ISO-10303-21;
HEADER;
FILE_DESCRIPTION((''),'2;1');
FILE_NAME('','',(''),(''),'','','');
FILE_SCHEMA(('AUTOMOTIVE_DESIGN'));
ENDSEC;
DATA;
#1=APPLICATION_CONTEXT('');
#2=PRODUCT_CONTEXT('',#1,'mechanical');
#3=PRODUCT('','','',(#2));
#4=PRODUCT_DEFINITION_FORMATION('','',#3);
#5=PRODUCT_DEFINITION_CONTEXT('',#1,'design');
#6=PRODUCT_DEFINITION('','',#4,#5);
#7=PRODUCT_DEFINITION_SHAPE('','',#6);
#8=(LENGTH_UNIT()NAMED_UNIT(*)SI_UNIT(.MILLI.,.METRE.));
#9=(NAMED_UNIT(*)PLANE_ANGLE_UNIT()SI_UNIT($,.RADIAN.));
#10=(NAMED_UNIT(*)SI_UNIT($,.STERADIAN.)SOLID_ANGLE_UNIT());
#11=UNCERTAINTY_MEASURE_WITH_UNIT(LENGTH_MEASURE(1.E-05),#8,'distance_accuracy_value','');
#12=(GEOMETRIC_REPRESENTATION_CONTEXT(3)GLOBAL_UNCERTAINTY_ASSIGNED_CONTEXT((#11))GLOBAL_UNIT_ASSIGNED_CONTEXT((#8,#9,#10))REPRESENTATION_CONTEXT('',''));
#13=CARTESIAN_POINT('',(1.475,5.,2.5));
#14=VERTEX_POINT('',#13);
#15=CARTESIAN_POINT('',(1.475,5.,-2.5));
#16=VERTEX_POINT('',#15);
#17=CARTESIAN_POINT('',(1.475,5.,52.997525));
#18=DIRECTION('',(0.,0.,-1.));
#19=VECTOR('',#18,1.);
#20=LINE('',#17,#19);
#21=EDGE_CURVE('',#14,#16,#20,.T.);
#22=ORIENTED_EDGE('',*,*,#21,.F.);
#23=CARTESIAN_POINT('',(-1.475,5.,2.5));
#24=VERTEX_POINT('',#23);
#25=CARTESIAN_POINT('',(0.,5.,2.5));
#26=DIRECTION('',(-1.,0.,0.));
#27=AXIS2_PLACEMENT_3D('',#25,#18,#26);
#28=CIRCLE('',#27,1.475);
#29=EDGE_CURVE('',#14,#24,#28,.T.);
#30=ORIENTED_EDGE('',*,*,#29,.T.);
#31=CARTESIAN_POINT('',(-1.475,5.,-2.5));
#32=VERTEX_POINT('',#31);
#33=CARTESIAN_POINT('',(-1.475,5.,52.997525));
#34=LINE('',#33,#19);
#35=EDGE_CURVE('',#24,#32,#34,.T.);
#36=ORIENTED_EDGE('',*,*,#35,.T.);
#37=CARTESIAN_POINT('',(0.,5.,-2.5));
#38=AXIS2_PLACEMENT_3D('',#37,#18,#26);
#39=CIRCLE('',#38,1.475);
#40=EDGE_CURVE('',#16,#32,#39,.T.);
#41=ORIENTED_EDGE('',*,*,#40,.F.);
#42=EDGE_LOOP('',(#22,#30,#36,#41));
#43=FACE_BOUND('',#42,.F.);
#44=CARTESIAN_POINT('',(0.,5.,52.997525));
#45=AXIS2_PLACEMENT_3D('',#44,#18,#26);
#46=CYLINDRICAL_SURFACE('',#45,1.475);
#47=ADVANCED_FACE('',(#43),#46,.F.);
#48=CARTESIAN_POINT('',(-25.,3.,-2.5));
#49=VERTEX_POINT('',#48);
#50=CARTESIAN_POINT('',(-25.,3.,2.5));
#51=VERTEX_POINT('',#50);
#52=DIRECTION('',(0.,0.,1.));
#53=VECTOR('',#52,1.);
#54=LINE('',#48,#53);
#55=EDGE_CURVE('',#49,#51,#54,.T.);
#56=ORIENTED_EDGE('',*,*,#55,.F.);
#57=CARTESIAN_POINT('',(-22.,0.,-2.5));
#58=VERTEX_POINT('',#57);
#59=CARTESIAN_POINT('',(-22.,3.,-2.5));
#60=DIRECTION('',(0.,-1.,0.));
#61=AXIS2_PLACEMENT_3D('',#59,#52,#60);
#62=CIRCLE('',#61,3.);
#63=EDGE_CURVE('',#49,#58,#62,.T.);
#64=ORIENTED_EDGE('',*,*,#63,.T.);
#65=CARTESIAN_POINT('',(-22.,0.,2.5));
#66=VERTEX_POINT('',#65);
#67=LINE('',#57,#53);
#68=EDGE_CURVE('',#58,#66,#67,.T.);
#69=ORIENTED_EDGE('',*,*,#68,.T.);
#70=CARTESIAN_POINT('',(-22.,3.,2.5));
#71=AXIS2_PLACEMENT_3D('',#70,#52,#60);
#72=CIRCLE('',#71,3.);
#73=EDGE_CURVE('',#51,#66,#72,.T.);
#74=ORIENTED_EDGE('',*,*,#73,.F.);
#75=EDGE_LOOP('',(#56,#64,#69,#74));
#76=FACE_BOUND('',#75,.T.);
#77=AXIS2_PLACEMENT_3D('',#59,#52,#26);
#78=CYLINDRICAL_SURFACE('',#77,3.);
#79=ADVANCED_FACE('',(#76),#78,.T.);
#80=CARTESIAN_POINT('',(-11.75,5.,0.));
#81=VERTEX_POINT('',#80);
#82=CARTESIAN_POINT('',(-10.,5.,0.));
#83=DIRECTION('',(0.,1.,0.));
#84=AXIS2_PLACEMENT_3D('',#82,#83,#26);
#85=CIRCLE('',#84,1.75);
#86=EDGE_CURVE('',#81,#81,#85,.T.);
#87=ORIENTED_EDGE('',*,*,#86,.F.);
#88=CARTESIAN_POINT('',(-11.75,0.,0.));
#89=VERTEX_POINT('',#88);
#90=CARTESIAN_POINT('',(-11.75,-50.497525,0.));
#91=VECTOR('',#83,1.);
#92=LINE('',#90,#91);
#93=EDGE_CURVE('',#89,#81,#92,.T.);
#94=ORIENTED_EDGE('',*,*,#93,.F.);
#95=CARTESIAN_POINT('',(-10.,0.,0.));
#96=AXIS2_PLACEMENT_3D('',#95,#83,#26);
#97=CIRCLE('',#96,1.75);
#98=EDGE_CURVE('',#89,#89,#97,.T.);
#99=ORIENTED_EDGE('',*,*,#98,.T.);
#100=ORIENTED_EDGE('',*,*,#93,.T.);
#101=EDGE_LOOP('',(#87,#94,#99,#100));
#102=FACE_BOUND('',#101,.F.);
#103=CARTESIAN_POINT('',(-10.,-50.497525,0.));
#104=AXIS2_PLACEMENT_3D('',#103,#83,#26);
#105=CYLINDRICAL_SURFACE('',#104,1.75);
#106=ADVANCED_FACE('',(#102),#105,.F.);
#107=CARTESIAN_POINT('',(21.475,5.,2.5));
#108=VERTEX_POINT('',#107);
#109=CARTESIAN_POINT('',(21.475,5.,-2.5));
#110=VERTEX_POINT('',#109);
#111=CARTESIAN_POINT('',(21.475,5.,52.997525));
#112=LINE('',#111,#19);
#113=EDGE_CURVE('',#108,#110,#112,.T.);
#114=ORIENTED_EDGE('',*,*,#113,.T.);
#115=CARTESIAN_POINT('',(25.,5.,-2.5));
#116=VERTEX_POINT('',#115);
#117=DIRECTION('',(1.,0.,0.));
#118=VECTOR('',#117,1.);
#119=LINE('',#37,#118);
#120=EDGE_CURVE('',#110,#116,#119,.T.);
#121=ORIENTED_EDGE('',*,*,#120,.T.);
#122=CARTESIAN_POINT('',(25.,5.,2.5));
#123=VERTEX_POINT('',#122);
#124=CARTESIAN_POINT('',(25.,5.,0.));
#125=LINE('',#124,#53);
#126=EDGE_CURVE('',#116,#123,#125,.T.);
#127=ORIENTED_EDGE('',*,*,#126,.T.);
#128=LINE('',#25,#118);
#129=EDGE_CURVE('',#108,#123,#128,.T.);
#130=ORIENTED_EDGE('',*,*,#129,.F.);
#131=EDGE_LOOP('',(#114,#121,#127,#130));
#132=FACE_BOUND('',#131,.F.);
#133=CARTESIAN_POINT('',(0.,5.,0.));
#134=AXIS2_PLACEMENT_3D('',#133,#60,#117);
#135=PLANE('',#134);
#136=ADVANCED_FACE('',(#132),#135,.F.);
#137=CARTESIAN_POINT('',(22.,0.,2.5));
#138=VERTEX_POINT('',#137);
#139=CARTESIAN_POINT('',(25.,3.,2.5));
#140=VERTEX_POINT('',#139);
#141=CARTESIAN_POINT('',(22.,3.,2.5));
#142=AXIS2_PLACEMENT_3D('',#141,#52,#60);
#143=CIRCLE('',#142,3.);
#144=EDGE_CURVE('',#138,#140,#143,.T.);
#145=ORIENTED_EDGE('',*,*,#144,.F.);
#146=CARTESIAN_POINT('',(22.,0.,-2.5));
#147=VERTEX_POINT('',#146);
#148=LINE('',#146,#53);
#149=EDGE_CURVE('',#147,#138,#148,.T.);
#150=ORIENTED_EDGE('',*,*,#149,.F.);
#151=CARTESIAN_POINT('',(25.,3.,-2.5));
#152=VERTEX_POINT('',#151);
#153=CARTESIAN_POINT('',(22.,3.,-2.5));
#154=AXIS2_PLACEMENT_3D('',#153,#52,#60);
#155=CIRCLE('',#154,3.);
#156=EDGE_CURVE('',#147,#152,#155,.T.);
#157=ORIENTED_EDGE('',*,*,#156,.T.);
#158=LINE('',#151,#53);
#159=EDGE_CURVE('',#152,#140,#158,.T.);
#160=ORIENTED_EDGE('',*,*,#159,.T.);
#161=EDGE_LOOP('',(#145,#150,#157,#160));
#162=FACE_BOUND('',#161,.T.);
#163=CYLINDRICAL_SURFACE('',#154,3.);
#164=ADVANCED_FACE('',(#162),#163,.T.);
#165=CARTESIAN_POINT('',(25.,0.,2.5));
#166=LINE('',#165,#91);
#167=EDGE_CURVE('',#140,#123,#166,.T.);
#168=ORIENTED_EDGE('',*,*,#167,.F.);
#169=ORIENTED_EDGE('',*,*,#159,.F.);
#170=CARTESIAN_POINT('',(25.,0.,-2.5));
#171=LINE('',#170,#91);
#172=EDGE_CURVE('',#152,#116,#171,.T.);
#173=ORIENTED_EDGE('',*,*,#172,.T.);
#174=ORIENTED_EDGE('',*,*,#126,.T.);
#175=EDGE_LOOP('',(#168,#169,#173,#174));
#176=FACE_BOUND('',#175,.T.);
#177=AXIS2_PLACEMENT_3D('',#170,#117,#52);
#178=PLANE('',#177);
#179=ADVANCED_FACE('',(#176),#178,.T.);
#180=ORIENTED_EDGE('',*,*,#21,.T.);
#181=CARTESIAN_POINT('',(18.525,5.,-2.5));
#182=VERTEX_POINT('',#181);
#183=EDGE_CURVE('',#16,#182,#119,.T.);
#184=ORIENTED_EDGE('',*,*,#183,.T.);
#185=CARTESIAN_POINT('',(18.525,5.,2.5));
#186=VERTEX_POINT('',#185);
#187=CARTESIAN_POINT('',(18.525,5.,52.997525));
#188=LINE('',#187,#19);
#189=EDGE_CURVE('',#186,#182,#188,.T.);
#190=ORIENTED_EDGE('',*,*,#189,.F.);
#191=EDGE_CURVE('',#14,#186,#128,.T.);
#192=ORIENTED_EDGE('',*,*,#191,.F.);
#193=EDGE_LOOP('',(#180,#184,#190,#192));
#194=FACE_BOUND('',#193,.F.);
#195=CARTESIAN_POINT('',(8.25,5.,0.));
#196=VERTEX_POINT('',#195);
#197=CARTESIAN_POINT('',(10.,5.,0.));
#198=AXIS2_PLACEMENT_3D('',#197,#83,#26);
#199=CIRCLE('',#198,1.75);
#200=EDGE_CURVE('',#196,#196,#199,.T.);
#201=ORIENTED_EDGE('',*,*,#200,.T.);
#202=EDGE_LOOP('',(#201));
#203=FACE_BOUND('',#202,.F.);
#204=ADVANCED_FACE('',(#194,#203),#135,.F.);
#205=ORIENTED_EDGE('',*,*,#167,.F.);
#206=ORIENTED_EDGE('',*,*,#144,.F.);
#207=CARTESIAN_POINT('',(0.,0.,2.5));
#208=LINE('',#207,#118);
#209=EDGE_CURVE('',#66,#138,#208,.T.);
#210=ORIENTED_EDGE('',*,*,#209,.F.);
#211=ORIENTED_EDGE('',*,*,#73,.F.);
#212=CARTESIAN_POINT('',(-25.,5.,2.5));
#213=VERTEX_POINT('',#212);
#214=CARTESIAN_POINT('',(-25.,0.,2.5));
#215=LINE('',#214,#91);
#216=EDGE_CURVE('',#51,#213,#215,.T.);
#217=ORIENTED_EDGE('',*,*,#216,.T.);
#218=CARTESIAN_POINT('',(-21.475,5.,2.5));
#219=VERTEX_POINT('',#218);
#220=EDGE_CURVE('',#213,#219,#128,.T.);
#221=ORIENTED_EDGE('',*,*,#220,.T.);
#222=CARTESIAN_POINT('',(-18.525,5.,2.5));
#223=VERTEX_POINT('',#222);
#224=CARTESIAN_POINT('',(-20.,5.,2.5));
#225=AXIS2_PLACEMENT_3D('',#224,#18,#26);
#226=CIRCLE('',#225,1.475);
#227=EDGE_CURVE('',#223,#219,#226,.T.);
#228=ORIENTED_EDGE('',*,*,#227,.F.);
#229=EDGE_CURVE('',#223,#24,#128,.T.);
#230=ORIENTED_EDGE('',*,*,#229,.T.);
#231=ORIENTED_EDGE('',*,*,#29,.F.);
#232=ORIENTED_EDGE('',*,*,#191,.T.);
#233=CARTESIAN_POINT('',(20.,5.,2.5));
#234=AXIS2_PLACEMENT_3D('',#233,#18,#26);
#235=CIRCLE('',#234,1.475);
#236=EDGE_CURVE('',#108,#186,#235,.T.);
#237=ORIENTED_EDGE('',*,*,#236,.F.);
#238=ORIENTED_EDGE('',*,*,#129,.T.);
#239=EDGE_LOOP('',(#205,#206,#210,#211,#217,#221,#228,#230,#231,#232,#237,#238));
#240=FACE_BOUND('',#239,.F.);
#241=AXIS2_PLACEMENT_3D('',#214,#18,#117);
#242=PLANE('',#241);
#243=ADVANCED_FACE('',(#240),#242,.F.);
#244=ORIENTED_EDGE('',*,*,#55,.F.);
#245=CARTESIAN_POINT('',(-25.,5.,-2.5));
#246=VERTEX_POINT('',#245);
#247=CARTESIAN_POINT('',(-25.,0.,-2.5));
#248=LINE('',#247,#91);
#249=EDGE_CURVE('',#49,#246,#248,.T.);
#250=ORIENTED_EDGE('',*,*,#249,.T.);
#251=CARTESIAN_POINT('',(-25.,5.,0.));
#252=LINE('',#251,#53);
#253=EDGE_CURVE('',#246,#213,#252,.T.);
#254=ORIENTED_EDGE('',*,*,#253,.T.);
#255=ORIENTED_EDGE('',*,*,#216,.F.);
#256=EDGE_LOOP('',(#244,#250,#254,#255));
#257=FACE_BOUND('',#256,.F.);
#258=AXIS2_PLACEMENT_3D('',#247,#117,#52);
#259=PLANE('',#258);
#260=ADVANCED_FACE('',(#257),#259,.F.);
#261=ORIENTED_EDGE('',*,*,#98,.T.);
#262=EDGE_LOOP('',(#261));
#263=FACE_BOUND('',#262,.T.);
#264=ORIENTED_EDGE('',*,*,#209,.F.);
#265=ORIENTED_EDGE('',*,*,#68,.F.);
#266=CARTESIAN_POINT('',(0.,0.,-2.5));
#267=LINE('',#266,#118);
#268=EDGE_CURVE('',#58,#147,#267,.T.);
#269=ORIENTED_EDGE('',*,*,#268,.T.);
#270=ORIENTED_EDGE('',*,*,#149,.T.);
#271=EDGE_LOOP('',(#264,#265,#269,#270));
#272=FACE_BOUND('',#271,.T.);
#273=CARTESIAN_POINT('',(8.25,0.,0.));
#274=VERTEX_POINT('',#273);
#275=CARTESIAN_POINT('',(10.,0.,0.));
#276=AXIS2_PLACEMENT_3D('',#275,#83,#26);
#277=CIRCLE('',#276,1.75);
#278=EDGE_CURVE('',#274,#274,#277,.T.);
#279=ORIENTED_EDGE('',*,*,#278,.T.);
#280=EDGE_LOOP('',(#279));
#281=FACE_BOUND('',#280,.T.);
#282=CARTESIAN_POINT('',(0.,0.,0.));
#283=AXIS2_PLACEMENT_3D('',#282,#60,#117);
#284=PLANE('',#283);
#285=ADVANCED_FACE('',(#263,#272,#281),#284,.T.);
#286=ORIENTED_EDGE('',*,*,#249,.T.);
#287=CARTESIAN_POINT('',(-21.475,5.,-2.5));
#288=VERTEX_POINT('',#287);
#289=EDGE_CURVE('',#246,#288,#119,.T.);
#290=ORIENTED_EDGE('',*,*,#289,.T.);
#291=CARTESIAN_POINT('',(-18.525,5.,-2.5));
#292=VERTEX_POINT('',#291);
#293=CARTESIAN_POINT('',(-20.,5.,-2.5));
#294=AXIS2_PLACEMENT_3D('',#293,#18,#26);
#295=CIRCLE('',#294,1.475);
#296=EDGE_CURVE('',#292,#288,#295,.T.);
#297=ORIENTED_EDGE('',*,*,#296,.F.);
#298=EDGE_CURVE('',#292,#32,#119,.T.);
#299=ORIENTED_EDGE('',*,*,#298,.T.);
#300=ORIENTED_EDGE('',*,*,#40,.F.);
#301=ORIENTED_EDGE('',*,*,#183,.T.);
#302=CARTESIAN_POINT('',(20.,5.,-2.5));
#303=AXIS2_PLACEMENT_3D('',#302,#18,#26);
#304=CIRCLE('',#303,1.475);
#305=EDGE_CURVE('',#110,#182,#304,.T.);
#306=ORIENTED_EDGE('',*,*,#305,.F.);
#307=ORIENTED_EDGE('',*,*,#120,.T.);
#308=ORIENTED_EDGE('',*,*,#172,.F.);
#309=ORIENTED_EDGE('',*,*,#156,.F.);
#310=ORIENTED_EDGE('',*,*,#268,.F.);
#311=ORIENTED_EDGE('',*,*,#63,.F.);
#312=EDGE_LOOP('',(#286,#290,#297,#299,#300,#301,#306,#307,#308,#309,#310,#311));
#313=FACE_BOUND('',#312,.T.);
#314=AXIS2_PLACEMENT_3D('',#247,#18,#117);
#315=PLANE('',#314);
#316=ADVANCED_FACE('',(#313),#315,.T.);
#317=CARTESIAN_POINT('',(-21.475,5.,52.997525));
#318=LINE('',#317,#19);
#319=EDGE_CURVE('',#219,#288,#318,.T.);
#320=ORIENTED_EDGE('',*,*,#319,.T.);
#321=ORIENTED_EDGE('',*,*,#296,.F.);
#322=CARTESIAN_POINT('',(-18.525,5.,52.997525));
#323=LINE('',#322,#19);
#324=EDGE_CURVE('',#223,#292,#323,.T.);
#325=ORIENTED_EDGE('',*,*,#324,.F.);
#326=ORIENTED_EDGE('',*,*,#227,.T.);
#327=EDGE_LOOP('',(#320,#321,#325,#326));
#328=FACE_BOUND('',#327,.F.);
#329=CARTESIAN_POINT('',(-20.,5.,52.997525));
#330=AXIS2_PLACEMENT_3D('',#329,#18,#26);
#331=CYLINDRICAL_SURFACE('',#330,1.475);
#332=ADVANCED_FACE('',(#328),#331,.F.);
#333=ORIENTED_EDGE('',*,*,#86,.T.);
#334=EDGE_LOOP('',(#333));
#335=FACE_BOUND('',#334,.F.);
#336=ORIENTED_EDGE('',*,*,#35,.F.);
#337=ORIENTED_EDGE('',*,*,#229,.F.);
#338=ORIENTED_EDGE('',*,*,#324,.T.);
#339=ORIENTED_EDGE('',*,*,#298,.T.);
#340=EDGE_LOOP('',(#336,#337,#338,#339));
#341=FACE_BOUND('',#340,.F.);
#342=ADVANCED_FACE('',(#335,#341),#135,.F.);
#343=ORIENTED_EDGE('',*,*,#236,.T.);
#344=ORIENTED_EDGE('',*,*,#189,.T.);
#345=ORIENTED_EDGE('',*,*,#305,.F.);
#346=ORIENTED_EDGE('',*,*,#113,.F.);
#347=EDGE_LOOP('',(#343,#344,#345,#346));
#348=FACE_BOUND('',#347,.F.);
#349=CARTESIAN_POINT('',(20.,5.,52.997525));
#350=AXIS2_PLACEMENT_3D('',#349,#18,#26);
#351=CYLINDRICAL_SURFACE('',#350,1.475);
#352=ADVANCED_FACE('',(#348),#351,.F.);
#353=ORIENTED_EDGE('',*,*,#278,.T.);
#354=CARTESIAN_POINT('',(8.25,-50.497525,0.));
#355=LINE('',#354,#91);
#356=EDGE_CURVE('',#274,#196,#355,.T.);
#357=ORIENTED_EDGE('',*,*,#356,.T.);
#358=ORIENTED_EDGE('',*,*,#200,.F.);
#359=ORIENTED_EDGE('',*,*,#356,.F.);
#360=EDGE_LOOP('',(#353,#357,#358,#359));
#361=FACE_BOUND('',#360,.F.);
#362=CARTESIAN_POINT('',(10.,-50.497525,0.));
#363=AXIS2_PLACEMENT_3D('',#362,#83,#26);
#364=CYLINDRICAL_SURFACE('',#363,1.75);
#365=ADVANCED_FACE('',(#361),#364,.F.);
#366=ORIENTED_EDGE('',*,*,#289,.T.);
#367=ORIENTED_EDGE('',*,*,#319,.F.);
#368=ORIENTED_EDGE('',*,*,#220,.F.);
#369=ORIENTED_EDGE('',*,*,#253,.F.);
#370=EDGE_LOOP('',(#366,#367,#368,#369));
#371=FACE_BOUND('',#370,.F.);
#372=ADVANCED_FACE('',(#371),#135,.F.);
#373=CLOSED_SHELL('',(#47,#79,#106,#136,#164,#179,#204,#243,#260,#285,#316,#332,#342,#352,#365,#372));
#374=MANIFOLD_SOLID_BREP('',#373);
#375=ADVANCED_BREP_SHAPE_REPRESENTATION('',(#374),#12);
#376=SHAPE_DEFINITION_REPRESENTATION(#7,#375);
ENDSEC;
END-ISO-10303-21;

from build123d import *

# Parameters (mm, degrees)
F0_W     = 50
F0_H     = 5
F1_DEPTH = 5
F2_D     = 3.5
F3_R     = 3
F5_D     = 2.95


with BuildPart() as f1:
    # F0 (on Front) → F1 (new body)
    with BuildSketch(Plane.XZ):
        Rectangle(F0_W, F0_H)
    extrude(amount=-F1_DEPTH)

    # F2 (through all)
    with Locations(Plane.XZ):
        with Locations((-10, 0), (10, 0)):
            Hole(F2_D / 2)

    # F3
    f3_edges = [f1.edges().sort_by_distance(p)[0] for p in [
        (-25, 0, 0),
        (25, 0, 0),
    ]]
    fillet(f3_edges, radius=F3_R)

    # F5 (through all)
    with Locations(Plane.XY.offset(2.5)):
        with Locations((-20, 5), (0, 5), (20, 5)):
            Hole(F5_D / 2)


solid = f1.part
